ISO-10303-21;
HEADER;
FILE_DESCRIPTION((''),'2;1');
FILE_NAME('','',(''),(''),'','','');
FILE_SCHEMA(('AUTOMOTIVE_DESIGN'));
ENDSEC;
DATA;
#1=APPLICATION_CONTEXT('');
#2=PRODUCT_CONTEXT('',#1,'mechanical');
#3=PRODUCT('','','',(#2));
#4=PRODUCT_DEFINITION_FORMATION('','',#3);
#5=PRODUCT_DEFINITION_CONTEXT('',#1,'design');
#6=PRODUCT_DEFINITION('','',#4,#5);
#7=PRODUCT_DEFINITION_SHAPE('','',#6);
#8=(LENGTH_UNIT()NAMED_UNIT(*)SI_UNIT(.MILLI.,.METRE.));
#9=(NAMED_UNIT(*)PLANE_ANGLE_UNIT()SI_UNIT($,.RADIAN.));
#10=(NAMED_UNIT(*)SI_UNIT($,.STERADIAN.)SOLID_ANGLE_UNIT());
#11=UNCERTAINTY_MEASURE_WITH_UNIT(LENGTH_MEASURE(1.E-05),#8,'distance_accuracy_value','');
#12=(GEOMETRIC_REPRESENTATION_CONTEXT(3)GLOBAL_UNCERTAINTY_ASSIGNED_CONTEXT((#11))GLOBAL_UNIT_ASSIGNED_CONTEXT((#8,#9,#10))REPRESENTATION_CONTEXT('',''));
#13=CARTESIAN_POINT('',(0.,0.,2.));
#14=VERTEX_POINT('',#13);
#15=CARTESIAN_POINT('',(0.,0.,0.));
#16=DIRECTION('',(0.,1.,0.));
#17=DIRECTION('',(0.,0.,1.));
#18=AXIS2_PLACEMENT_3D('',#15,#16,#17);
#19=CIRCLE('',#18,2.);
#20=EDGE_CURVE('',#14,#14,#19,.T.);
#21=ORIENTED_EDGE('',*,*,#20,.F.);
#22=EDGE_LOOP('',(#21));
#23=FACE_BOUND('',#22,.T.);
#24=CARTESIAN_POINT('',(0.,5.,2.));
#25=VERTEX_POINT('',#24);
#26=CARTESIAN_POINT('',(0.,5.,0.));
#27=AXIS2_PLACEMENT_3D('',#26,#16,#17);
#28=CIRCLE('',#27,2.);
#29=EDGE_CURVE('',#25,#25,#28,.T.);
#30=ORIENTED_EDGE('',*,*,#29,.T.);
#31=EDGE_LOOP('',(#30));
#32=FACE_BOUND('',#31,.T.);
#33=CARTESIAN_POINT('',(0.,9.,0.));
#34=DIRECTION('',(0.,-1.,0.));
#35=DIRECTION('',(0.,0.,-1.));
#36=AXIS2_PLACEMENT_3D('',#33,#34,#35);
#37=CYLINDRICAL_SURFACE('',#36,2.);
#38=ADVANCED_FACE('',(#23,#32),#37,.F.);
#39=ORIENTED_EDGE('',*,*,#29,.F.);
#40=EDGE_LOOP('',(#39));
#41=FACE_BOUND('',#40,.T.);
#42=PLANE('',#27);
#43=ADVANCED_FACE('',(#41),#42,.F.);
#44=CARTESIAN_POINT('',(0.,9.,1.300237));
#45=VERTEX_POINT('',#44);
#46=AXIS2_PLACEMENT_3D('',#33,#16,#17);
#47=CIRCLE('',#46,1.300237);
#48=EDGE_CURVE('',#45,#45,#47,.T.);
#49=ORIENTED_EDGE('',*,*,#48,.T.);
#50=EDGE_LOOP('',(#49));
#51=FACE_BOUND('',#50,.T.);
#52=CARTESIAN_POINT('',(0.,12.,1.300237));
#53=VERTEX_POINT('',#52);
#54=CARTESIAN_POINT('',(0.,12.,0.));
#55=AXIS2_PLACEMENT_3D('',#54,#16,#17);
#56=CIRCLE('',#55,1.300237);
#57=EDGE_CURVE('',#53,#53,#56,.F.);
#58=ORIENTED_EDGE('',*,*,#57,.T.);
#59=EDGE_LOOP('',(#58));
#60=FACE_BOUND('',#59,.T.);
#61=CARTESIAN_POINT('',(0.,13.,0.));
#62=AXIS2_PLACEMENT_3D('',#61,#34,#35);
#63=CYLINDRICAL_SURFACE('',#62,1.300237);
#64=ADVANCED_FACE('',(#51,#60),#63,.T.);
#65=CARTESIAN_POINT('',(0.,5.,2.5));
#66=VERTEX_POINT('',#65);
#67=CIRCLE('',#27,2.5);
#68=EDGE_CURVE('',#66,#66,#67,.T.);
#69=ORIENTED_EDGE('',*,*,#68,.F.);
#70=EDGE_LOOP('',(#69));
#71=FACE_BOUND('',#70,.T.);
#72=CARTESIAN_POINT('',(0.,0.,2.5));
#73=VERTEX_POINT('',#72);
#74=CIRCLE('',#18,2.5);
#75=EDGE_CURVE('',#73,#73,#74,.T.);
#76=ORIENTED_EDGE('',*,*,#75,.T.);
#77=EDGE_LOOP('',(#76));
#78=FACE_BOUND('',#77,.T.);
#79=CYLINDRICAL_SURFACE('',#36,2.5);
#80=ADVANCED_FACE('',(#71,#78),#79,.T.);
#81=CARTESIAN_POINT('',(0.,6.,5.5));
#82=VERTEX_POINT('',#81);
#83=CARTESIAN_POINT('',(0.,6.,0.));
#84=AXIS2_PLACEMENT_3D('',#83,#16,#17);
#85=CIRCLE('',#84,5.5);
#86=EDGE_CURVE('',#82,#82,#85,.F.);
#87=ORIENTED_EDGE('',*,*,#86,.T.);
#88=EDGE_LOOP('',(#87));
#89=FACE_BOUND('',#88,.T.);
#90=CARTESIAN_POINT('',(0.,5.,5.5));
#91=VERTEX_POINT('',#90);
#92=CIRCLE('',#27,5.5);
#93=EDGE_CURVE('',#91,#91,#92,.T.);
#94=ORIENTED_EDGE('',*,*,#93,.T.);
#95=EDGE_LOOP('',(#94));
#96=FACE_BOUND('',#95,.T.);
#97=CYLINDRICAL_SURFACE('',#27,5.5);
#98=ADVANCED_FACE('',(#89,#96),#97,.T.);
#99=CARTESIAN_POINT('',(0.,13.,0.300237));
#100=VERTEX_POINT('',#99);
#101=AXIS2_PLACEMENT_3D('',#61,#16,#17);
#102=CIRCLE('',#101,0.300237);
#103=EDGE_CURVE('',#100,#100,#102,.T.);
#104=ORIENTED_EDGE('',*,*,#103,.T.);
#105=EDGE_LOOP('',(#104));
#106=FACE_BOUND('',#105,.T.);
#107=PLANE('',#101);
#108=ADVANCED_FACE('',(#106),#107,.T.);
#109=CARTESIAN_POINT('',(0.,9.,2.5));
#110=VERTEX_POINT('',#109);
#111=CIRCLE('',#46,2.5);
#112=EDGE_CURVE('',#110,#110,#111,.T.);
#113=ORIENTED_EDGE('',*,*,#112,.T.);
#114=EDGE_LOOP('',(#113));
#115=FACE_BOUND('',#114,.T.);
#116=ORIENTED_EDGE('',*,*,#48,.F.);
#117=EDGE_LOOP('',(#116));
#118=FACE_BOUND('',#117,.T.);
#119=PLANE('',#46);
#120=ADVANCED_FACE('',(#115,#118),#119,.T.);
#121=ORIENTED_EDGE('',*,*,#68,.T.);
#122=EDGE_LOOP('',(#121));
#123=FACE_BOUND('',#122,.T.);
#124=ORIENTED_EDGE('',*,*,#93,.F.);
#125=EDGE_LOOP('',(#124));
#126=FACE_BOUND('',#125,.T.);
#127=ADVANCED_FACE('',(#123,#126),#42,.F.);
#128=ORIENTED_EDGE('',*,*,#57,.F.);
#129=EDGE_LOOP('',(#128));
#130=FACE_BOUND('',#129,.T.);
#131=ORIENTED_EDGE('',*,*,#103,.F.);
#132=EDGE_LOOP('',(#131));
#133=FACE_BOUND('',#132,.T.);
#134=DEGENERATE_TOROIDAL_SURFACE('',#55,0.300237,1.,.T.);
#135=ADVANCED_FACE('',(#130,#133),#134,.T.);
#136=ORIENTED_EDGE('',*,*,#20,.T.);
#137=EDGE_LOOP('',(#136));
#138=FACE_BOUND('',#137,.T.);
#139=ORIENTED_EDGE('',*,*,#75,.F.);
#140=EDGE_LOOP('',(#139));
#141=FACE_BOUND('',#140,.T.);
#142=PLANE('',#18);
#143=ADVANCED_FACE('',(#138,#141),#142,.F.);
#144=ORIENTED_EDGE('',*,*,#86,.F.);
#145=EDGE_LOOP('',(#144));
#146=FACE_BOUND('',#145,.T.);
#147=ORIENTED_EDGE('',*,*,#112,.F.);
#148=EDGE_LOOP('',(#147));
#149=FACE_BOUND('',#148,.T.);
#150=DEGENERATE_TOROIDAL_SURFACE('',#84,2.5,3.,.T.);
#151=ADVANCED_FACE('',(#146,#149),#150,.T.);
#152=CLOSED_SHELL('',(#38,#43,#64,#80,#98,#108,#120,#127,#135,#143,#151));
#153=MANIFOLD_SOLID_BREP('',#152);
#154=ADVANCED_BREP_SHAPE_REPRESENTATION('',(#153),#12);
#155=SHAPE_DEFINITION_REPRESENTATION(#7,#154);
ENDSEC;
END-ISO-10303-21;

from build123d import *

# Parameters (mm, degrees)
IZIM1_R                     = 2.5
IZIM1_R_2                   = 2
Y_KSEKLIK_EKSTR_ZYON1_DEPTH = 9
IZIM2_R                     = 5.5
Y_KSEKLIK_EKSTR_ZYON2_DEPTH = 4
RADYUS1_R                   = 3
IZIM3_R                     = 1.300236586
Y_KSEKLIK_EKSTR_ZYON3_DEPTH = 4
RADYUS2_R                   = 1


with BuildPart() as part:
    # Çizim1 → Yükseklik-Ekstrüzyon1 (new body)
    with BuildSketch(Plane(origin=(0, 0, 0), x_dir=(1, 0, 0), z_dir=(0, 1, 0))):
        with Locations(Location((0, 0, 0), (0, 0, 270))):
            Circle(IZIM1_R)
        with Locations(Location((0, 0, 0), (0, 0, 270))):
            Circle(IZIM1_R_2, mode=Mode.SUBTRACT)
    extrude(amount=Y_KSEKLIK_EKSTR_ZYON1_DEPTH)



with BuildPart() as body_2:
    # Çizim2 → Yükseklik-Ekstrüzyon2 (new body)
    with BuildSketch(Plane(origin=(0, 9, 0), x_dir=(1, 0, 0), z_dir=(0, 1, 0))):
        with Locations(Location((0, 0, 0), (0, 0, 270))):
            Circle(IZIM2_R)
    extrude(amount=-Y_KSEKLIK_EKSTR_ZYON2_DEPTH)

    # Radyus1
    radyus1_edges = [body_2.edges().sort_by_distance(p)[0] for p in [
        (0, 9, -5.5),
    ]]
    fillet(radyus1_edges, radius=RADYUS1_R)


with BuildPart() as part_1:
    add(part.part)

    add(body_2.part)  # Yükseklik-Ekstrüzyon3 merges body 2
    # Çizim3 → Yükseklik-Ekstrüzyon3 (add)
    with BuildSketch(Plane(origin=(0, 9, 0), x_dir=(1, 0, 0), z_dir=(0, 1, 0))):
        with Locations(Location((0, 0, 0), (0, 0, 270))):
            Circle(IZIM3_R)
    extrude(amount=Y_KSEKLIK_EKSTR_ZYON3_DEPTH)

    # Radyus2
    radyus2_edges = [part_1.edges().sort_by_distance(p)[0] for p in [
        (0, 13, -1.300236586),
    ]]
    fillet(radyus2_edges, radius=RADYUS2_R)


solid = part_1.part
